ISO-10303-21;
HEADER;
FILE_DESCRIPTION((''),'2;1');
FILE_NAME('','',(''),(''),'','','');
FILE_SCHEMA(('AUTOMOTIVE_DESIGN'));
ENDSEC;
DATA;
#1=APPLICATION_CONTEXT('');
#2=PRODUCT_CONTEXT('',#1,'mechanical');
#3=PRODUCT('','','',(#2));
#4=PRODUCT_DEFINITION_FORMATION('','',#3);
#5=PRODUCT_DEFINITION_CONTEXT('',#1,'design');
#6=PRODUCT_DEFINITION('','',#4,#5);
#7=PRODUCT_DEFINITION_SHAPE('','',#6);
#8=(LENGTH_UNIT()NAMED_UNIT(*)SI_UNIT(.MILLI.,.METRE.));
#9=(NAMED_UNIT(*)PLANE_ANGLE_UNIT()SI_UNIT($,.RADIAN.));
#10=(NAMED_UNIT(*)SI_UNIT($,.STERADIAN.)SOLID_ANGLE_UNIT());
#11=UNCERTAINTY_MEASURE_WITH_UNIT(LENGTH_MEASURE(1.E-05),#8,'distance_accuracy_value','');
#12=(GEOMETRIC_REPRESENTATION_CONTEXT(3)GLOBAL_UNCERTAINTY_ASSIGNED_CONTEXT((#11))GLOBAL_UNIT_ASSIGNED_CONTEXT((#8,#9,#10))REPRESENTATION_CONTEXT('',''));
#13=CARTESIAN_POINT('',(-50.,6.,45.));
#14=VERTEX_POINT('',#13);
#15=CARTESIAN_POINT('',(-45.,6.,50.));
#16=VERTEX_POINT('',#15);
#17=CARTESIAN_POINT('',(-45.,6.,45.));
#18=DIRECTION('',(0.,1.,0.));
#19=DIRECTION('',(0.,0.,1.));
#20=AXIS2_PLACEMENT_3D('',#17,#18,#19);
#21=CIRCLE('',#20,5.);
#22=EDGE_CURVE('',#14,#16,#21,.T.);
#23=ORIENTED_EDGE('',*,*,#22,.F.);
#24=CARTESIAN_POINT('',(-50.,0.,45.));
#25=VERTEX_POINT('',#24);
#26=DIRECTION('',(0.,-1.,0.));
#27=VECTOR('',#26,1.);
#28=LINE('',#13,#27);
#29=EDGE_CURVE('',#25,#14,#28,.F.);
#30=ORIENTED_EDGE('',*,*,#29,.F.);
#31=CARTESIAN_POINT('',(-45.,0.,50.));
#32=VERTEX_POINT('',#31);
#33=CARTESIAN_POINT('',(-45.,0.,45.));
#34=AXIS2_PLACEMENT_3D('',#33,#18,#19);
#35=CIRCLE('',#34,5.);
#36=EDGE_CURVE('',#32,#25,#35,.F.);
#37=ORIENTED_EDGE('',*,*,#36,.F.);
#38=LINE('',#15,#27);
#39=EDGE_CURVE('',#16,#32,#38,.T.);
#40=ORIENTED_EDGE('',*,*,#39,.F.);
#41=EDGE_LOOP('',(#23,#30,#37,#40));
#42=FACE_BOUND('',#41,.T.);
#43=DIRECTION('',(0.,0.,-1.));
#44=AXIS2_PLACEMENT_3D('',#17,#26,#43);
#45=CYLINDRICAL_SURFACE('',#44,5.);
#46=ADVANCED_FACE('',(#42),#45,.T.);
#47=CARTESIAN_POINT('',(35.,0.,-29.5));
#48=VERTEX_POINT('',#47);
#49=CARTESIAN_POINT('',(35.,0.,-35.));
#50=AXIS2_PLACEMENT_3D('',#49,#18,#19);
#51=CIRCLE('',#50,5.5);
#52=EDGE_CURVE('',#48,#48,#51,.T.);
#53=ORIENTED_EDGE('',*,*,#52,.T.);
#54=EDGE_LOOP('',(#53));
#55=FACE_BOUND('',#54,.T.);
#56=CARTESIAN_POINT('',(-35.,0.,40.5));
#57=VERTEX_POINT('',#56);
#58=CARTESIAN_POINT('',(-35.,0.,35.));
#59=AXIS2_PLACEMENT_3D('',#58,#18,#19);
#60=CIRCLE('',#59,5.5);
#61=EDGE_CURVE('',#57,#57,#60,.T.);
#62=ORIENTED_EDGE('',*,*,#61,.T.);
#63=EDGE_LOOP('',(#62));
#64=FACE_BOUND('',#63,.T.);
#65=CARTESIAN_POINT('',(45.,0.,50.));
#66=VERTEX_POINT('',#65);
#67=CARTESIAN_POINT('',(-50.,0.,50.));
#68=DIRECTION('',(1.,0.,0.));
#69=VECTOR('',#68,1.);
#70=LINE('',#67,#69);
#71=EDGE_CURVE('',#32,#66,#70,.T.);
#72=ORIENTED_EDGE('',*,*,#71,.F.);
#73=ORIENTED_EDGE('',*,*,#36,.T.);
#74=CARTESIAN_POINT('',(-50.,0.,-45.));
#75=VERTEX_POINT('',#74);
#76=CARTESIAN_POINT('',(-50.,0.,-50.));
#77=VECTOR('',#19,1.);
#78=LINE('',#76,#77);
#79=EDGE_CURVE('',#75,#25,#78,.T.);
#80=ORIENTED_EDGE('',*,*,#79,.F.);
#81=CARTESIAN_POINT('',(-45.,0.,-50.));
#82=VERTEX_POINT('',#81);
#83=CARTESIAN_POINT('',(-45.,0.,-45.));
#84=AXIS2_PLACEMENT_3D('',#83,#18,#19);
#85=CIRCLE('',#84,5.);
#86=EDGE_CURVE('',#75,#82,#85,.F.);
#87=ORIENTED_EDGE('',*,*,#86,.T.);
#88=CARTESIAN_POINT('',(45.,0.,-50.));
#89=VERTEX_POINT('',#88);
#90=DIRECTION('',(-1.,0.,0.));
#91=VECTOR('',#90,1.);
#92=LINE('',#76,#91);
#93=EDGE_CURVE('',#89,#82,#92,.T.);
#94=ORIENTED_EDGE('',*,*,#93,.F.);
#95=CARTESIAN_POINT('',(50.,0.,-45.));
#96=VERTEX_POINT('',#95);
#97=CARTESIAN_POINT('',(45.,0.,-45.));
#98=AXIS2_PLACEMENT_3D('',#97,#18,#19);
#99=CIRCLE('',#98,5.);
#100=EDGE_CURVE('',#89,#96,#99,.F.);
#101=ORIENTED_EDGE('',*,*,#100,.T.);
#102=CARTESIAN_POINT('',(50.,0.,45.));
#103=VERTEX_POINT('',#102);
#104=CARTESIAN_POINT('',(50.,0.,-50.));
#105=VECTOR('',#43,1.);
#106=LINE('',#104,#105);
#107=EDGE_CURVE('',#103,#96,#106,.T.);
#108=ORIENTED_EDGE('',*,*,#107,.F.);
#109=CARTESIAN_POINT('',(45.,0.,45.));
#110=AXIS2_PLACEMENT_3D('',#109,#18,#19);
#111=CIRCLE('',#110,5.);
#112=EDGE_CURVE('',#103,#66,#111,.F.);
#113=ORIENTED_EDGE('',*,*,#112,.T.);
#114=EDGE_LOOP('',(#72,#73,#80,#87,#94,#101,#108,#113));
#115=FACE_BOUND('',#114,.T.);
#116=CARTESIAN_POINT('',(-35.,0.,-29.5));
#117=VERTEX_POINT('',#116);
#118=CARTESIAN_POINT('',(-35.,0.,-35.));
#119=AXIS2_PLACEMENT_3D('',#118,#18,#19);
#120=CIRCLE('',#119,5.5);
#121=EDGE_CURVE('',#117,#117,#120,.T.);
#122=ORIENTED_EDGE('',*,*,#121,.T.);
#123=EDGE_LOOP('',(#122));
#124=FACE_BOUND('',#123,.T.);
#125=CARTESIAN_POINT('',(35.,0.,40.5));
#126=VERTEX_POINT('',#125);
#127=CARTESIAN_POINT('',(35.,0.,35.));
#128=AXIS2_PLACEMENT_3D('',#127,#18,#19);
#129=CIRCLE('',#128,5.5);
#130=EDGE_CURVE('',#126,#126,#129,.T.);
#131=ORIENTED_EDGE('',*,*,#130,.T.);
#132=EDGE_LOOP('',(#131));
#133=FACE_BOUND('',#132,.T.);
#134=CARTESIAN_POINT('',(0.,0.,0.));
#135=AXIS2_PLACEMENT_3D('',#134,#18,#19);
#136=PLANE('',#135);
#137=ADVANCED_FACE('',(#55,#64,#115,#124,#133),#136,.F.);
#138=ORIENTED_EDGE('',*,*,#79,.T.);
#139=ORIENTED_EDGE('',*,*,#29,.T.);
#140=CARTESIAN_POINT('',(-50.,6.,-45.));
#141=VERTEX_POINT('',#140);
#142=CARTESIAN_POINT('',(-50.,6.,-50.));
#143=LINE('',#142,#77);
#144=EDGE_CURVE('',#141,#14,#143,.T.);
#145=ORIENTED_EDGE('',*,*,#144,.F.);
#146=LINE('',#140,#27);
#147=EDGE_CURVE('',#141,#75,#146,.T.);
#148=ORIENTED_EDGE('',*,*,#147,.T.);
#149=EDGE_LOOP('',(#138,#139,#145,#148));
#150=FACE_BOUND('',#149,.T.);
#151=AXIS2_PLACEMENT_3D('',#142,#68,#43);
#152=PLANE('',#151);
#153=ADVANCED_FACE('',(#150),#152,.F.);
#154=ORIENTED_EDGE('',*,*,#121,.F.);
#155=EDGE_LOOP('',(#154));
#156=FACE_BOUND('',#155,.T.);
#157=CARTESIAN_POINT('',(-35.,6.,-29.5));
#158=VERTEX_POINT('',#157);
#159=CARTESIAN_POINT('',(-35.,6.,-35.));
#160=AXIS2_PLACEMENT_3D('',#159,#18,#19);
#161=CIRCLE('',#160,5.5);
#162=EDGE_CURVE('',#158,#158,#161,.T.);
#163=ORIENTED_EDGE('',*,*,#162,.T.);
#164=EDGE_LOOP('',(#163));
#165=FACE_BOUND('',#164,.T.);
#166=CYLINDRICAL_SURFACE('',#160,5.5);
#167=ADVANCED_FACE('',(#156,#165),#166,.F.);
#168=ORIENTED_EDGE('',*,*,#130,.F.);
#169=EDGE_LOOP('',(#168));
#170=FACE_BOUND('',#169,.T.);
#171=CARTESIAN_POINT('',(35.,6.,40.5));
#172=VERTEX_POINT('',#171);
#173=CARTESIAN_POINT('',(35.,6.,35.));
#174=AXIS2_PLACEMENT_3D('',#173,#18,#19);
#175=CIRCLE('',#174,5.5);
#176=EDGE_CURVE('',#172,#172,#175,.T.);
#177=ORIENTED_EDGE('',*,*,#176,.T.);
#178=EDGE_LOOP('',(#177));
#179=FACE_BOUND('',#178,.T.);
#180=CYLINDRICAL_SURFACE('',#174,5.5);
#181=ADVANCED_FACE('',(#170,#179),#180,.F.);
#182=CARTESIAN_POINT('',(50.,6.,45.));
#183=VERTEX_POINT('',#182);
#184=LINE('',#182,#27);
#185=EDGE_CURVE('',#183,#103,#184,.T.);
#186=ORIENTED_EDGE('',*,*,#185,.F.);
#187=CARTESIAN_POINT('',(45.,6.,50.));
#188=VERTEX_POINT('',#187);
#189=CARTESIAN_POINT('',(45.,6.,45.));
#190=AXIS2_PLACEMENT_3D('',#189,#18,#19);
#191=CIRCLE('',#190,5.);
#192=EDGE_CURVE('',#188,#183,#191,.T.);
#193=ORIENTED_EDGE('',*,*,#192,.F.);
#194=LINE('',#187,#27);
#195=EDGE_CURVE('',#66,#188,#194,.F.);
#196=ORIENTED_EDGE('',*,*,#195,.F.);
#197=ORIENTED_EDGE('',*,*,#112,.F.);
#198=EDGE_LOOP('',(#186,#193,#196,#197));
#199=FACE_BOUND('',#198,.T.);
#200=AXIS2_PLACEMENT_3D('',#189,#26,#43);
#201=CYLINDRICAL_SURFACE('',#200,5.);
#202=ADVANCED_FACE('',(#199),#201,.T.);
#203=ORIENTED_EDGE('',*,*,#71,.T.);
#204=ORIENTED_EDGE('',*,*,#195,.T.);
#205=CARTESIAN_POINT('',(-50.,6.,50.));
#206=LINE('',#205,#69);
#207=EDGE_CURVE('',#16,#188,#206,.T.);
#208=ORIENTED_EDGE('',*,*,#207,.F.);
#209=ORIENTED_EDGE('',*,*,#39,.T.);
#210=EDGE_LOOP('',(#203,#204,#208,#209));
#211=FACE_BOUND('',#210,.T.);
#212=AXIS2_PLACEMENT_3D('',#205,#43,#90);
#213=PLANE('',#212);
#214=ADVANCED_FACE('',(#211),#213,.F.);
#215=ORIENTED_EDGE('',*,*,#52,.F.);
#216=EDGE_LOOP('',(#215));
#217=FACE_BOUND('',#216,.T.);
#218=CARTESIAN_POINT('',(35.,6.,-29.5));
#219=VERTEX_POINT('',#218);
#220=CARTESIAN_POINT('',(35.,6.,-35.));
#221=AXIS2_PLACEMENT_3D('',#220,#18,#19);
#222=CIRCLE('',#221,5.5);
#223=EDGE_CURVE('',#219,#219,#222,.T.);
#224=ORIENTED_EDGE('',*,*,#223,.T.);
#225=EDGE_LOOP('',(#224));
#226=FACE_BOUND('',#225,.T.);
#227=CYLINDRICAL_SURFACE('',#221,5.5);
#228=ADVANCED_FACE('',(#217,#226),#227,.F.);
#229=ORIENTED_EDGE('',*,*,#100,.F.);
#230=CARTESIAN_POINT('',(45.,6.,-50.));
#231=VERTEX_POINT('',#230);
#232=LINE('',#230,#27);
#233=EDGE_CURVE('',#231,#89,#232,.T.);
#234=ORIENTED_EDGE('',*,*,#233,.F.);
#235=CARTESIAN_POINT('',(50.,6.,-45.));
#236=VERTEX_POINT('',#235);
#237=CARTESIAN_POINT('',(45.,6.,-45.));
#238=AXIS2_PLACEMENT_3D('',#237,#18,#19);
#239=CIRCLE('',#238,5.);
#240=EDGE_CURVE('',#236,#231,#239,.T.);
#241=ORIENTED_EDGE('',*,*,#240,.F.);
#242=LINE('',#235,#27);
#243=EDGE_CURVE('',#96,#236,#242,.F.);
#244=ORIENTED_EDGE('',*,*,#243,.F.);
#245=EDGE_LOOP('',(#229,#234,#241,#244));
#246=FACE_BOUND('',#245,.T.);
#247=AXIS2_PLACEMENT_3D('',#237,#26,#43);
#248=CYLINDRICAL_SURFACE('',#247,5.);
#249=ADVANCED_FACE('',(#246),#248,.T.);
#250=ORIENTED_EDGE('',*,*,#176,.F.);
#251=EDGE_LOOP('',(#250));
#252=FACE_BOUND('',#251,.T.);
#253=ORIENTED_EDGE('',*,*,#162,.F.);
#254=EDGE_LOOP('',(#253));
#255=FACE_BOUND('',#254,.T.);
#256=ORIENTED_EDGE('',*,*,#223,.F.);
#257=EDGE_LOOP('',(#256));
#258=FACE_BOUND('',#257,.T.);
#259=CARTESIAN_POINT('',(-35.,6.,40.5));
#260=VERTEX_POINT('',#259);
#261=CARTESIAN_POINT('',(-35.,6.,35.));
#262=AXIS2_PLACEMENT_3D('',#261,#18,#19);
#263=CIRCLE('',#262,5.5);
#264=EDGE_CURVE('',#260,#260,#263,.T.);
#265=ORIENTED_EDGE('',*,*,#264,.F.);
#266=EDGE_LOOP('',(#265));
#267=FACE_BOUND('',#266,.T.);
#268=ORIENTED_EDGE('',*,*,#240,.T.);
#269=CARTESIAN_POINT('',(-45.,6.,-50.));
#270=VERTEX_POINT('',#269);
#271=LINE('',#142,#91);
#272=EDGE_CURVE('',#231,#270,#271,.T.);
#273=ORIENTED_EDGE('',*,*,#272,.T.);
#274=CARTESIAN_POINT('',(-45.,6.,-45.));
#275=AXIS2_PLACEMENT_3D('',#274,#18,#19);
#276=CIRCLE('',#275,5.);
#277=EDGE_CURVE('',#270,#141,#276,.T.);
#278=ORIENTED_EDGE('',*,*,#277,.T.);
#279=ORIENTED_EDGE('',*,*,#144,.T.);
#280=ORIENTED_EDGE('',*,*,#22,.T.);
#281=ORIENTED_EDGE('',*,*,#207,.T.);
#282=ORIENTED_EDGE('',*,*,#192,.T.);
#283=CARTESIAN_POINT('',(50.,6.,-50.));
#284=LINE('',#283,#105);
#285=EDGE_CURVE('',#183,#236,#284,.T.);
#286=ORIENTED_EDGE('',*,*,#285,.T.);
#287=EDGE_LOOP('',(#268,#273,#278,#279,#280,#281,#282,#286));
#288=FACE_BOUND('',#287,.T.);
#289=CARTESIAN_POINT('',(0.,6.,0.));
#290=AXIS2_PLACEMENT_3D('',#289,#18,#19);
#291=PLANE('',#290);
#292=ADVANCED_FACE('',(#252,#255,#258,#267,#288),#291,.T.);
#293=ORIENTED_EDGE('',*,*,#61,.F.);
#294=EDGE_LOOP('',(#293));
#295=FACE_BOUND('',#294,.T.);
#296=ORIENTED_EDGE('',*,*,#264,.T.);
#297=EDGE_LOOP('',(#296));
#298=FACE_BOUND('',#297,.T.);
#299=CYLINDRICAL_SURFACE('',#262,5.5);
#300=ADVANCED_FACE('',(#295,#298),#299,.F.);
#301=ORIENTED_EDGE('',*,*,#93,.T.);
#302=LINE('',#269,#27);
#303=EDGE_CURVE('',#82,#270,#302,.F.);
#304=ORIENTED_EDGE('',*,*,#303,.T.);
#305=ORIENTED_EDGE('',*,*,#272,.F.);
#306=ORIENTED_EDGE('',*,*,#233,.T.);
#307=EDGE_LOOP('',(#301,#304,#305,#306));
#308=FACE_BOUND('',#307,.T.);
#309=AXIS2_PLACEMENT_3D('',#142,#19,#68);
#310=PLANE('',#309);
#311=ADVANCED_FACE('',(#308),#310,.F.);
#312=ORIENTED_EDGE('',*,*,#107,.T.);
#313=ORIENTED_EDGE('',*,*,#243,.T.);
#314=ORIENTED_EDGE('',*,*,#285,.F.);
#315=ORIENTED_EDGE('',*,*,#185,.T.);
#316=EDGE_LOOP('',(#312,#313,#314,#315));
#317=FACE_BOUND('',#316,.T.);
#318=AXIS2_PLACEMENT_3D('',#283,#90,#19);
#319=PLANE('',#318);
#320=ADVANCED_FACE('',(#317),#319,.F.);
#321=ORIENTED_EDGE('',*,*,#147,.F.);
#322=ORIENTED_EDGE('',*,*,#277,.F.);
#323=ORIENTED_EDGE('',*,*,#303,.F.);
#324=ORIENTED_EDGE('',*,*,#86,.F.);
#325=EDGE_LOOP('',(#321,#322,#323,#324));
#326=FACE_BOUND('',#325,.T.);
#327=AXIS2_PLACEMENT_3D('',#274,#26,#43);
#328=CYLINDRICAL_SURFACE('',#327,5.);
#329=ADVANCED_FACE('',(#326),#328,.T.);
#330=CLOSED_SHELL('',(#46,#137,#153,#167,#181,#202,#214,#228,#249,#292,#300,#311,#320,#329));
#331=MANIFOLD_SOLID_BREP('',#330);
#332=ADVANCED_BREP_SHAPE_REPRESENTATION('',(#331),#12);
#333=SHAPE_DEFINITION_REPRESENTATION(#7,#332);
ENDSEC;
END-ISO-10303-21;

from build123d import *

# Parameters (mm, degrees)
SKETCH1_W                 = 100
SKETCH1_H                 = 100
BOSS_EXTRUDE1_DEPTH       = 6
M10_CLEARANCE_HOLE1_D     = 11
M10_CLEARANCE_HOLE1_DEPTH = 19.75
M10_CLEARANCE_HOLE1_TIP   = 3.304733405
FILLET1_R                 = 5


with BuildPart() as part:
    # Sketch1 → Boss-Extrude1 (new body)
    with BuildSketch(Plane(origin=(0, 0, 0), x_dir=(1, 0, 0), z_dir=(0, 1, 0))):
        Rectangle(SKETCH1_W, SKETCH1_H)
    extrude(amount=BOSS_EXTRUDE1_DEPTH)

    # M10 Clearance Hole1
    with Locations(Plane(origin=(-35, 6, -35), x_dir=(0, 0, 1), z_dir=(0, 1, 0))):
        with Locations((0, 0), (0, 70), (70, 70), (70, 0)):
            Hole(M10_CLEARANCE_HOLE1_D / 2, depth=M10_CLEARANCE_HOLE1_DEPTH)
            with Locations((0, 0, -(M10_CLEARANCE_HOLE1_DEPTH + M10_CLEARANCE_HOLE1_TIP / 2))):  # 118° drill point
                Cone(0, M10_CLEARANCE_HOLE1_D / 2, M10_CLEARANCE_HOLE1_TIP, mode=Mode.SUBTRACT)

    # Fillet1
    fillet1_edges = [part.edges().sort_by_distance(p)[0] for p in [
        (50, 3, 50),
        (-50, 3, 50),
        (-50, 3, -50),
        (50, 3, -50),
    ]]
    fillet(fillet1_edges, radius=FILLET1_R)


solid = part.part
